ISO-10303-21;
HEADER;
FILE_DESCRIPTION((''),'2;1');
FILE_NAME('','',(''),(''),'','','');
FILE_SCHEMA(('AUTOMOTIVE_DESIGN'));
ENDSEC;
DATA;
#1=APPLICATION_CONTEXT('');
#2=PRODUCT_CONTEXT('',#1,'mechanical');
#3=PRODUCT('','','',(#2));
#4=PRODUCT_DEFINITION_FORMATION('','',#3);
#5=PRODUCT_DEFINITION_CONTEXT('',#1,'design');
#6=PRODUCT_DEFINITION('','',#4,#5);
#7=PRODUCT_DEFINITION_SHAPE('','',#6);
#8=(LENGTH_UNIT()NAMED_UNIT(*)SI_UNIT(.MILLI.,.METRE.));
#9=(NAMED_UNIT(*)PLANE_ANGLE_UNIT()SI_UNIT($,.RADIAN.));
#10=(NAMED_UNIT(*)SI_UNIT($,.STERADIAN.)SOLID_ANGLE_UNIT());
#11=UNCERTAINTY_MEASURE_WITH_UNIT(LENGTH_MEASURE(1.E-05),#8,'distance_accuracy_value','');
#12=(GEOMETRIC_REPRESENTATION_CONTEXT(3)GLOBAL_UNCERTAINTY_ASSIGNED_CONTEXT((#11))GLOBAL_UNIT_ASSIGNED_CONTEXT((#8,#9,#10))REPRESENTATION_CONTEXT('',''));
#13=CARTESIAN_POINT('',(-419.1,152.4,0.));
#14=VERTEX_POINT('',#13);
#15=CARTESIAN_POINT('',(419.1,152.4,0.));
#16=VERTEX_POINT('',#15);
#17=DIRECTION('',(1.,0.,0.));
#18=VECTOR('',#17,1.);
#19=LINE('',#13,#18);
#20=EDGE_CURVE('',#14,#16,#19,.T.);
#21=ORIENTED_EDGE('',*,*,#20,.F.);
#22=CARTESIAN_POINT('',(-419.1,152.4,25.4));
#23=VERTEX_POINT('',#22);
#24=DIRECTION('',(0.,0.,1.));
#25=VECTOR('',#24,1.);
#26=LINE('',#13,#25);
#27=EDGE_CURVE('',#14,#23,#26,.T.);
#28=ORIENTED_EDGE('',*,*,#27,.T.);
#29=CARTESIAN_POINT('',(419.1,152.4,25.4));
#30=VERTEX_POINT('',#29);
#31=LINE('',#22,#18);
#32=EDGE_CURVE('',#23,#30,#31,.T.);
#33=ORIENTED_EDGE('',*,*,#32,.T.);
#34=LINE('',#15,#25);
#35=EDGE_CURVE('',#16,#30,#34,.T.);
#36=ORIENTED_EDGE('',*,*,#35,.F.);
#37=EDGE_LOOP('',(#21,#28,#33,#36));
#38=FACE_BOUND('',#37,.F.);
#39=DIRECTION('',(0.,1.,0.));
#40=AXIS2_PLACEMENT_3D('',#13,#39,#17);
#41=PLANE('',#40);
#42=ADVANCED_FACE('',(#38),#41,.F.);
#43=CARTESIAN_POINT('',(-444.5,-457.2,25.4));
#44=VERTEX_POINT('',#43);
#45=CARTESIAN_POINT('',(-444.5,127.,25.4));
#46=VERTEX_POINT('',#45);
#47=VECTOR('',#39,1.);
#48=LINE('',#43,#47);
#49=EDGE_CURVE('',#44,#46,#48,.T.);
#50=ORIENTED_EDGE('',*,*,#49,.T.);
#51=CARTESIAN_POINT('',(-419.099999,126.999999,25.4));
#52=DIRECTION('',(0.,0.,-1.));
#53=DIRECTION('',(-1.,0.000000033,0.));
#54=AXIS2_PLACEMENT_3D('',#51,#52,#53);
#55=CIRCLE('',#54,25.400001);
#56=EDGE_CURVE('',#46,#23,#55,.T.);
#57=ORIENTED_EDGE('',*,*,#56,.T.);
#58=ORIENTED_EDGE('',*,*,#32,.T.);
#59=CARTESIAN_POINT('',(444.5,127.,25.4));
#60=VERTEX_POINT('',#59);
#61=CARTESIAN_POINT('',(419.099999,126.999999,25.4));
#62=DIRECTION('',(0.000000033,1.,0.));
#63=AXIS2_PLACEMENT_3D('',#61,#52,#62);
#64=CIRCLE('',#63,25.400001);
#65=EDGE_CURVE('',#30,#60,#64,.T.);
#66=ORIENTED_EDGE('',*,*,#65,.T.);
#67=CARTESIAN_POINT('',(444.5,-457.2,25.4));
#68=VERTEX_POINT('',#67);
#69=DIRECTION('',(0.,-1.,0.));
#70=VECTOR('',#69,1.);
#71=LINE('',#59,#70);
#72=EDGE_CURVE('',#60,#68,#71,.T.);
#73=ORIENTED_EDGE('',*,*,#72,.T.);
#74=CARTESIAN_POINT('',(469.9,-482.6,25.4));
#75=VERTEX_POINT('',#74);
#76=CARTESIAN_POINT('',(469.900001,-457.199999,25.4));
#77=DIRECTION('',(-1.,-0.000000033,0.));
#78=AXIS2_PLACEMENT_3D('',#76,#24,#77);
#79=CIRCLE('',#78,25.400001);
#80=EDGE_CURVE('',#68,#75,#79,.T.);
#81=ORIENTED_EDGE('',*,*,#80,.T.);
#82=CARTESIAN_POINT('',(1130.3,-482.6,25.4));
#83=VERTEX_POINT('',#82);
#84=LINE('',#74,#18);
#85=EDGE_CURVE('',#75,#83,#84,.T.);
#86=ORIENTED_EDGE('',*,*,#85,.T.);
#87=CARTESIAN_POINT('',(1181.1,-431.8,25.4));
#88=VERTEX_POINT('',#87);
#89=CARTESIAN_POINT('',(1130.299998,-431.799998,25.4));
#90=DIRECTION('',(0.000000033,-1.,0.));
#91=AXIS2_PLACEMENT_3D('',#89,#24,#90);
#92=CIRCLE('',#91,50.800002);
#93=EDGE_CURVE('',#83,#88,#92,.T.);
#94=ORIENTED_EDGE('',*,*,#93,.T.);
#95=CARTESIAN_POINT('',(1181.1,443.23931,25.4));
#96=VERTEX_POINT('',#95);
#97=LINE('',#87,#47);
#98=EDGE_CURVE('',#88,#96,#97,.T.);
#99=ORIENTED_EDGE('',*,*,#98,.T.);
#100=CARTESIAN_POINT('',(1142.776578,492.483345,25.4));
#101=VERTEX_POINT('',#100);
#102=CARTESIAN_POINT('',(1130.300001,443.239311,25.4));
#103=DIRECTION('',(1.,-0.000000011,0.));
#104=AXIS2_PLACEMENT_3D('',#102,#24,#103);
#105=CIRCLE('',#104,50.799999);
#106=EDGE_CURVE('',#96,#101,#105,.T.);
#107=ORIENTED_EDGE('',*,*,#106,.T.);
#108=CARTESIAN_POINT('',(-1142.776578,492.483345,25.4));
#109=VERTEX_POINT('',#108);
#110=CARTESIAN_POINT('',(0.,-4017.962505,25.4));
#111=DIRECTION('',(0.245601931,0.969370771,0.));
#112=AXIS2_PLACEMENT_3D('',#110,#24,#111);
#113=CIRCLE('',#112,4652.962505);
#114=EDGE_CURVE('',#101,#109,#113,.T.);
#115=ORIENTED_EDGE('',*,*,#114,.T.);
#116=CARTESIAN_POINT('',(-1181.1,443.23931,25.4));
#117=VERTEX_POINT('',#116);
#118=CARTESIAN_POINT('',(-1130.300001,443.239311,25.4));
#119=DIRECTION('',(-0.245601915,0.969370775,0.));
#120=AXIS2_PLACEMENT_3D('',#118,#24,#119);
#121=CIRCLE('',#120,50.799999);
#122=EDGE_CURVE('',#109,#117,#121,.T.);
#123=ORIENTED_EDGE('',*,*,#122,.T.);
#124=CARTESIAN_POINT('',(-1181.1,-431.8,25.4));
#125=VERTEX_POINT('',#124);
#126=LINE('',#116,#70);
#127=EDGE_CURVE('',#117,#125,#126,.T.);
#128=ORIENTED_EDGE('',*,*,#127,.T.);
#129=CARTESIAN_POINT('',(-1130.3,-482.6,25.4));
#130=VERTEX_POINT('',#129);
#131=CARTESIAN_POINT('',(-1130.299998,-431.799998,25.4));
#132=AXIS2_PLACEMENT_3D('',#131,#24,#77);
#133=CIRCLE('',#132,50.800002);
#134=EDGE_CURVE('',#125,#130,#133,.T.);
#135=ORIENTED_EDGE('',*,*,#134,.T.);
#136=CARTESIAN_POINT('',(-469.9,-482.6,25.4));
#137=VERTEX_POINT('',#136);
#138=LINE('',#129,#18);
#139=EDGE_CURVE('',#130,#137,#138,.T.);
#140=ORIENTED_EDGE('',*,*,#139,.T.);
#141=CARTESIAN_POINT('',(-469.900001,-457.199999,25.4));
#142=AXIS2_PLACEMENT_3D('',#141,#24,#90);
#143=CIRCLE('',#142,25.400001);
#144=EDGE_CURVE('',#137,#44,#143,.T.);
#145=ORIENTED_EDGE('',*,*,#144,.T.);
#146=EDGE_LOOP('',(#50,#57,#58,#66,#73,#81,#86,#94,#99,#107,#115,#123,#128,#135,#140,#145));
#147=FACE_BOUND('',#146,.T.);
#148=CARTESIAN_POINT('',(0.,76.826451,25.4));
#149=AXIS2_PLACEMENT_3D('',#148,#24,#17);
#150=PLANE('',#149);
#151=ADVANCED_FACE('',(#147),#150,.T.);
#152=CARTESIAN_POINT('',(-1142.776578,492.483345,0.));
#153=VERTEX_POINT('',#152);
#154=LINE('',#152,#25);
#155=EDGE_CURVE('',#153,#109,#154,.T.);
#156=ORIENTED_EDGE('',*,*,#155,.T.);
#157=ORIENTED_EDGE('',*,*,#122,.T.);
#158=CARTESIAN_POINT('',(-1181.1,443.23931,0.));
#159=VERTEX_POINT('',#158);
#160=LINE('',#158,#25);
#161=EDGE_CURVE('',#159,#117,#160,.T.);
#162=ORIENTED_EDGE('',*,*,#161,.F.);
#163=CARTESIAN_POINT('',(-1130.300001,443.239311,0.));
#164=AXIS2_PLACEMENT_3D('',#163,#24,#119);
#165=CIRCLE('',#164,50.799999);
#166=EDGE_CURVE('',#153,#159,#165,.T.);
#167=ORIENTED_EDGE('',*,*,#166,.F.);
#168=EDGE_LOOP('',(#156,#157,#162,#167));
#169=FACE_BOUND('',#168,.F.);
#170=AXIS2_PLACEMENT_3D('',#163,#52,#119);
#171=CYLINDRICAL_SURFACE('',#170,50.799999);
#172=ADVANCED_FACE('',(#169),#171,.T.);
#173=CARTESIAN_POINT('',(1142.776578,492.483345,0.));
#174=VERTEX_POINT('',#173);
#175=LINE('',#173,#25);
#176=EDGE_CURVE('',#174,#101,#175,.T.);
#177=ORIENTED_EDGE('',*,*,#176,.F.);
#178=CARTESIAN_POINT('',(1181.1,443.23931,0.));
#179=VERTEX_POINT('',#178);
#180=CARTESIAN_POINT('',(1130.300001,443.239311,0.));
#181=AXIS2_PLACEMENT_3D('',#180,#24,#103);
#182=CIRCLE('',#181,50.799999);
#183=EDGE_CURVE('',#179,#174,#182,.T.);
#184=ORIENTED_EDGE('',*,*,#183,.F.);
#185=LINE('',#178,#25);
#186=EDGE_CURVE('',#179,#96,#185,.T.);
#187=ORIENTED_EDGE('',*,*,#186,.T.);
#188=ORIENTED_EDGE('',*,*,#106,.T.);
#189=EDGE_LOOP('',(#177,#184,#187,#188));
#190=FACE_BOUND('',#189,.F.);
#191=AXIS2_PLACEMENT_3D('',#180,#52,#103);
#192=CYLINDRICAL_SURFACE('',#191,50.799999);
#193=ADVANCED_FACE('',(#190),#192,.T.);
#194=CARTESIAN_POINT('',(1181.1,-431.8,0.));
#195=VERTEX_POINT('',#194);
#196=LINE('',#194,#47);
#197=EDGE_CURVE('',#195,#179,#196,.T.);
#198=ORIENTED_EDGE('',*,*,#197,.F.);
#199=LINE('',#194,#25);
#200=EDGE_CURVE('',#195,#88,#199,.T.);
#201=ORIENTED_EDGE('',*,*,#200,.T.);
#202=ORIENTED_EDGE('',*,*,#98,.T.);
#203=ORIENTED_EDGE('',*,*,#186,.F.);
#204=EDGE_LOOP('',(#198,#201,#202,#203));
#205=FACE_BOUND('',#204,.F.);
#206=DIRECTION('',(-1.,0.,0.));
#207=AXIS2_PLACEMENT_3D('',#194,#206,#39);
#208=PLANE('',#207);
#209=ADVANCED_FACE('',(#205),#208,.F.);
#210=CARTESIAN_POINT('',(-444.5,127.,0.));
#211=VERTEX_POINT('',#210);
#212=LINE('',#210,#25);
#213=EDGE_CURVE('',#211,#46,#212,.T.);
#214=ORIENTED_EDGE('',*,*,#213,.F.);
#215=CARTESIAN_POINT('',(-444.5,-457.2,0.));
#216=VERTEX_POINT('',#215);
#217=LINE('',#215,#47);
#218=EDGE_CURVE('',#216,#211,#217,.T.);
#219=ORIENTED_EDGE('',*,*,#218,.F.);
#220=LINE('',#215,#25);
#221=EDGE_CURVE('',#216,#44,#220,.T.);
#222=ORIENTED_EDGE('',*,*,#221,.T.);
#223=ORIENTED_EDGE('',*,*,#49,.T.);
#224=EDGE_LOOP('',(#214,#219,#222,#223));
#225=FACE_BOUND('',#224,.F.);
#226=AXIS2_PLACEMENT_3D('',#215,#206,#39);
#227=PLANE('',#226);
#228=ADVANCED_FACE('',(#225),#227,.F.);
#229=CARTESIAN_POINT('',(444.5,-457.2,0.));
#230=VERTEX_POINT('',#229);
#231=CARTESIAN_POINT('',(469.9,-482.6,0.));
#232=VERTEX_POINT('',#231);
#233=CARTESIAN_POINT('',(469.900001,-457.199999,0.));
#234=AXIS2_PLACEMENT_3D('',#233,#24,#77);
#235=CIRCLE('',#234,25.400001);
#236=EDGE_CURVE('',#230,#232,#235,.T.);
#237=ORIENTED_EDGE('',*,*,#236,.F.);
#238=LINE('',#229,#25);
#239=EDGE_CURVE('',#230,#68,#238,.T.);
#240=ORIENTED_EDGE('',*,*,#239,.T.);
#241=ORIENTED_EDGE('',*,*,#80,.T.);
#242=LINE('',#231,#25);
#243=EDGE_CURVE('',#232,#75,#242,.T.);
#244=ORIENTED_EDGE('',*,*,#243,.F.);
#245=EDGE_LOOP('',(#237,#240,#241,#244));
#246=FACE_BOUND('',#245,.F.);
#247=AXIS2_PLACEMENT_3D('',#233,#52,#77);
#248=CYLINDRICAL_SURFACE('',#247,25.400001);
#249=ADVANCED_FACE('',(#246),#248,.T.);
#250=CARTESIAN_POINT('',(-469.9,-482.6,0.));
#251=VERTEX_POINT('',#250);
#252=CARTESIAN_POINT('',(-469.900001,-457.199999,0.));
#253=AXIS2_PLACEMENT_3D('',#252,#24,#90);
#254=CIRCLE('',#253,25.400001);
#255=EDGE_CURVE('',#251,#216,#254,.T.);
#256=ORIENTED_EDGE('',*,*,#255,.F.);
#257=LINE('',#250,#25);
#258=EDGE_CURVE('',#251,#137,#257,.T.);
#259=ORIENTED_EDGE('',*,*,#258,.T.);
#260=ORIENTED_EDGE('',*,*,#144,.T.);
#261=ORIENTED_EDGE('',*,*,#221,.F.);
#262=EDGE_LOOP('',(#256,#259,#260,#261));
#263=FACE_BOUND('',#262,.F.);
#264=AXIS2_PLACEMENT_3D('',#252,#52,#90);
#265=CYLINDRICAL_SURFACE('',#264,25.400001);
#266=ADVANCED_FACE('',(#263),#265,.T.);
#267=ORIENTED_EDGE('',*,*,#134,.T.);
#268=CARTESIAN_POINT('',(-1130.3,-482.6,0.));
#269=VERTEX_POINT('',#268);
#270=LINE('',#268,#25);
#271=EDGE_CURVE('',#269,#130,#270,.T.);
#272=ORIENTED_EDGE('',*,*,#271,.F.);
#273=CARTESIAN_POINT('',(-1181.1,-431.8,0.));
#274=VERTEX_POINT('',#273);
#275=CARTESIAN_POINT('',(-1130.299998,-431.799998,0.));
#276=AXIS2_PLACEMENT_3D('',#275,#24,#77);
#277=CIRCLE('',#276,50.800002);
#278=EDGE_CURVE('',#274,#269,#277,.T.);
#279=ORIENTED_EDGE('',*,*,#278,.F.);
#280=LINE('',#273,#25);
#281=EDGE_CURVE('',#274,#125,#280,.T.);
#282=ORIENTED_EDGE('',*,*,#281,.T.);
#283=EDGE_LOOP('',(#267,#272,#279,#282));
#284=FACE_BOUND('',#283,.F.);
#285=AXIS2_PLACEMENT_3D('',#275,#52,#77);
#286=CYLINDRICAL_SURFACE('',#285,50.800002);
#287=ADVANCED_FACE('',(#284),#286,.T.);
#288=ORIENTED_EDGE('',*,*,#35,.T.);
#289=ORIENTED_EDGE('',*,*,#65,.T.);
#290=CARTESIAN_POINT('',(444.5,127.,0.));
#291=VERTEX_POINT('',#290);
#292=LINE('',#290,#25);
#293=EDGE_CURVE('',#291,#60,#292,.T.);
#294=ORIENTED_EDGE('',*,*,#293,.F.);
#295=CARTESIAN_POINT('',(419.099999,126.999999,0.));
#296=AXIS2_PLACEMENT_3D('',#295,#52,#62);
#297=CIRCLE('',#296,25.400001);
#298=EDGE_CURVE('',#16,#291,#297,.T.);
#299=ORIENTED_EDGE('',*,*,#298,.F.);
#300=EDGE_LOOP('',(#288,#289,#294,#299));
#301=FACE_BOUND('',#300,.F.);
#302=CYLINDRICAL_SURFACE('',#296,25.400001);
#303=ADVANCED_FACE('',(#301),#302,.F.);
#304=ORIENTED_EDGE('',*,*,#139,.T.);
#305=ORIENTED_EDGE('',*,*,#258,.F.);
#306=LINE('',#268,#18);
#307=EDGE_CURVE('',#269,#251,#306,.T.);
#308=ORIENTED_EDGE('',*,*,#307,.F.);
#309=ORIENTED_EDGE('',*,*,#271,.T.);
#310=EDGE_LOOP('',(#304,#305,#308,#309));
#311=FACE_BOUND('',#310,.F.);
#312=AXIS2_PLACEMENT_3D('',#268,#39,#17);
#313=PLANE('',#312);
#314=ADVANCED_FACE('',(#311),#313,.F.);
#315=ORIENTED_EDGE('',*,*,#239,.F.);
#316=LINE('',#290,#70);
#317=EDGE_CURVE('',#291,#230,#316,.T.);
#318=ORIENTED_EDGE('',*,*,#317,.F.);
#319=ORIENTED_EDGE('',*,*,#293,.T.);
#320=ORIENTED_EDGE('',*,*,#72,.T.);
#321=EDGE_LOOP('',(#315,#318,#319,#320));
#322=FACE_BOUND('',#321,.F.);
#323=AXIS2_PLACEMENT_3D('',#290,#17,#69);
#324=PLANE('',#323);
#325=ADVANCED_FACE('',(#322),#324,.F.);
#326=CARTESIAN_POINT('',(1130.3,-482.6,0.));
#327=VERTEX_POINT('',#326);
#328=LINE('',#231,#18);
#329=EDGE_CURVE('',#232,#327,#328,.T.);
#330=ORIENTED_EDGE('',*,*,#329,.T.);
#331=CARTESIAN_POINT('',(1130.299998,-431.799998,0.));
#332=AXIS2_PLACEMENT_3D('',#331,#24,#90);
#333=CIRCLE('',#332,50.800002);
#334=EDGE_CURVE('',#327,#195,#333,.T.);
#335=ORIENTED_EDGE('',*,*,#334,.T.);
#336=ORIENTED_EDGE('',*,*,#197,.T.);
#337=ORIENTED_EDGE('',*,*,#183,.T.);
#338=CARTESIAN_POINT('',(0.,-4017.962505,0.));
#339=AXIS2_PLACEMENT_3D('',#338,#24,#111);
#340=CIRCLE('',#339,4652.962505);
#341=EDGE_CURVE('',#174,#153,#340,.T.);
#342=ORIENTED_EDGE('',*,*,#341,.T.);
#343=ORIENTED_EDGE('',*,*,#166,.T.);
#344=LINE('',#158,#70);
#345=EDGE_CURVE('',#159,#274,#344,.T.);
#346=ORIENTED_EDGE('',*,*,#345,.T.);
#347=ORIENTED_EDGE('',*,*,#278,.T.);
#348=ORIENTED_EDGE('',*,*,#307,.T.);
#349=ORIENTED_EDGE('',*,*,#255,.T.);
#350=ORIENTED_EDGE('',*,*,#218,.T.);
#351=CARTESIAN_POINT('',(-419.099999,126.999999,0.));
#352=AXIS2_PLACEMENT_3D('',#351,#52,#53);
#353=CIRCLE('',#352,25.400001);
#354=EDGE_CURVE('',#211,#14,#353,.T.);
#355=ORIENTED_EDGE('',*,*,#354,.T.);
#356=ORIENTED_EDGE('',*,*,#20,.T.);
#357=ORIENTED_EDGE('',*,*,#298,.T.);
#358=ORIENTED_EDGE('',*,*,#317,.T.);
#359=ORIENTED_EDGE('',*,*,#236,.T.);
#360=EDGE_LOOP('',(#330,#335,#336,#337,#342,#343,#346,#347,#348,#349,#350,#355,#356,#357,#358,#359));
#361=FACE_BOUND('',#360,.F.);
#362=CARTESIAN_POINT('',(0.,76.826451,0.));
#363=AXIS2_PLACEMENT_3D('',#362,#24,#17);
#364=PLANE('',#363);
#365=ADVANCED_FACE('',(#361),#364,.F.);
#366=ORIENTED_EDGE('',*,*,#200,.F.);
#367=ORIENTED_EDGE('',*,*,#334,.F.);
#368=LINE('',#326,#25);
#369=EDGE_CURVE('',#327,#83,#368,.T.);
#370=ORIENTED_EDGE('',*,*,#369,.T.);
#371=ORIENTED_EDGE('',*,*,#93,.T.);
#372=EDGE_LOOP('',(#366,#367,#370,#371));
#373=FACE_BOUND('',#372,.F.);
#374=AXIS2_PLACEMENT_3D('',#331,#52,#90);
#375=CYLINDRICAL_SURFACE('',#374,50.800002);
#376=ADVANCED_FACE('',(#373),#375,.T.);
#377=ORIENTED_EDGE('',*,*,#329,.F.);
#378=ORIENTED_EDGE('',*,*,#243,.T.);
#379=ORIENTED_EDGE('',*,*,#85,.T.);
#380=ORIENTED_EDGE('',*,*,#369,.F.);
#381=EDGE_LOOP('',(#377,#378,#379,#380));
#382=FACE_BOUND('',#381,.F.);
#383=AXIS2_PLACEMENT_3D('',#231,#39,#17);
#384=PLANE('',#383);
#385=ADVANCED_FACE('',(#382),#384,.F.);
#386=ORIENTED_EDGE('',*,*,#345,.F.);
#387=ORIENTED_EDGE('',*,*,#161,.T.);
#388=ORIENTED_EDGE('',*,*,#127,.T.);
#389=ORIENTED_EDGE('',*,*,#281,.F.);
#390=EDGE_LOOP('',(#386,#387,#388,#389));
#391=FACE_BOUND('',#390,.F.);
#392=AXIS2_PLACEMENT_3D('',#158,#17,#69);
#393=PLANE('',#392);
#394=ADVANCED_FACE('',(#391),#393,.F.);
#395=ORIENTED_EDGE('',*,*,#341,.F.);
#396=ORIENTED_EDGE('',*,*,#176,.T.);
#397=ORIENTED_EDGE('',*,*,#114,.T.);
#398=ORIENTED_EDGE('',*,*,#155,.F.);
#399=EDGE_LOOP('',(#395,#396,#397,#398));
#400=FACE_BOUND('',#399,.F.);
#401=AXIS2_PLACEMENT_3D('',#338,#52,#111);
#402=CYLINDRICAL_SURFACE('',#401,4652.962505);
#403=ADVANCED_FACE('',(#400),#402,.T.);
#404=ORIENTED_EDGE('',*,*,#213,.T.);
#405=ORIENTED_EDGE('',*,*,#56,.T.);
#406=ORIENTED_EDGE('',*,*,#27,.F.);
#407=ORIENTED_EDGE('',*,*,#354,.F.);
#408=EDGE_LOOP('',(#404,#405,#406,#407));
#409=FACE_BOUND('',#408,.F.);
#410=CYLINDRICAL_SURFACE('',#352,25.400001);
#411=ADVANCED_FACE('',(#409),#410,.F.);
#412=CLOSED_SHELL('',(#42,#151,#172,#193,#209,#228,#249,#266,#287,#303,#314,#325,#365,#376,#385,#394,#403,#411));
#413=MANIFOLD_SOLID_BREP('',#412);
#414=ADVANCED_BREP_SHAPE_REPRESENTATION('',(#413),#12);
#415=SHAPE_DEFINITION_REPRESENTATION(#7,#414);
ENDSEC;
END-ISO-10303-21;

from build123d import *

# Parameters (mm, degrees)
F1_DEPTH = 25.4


with BuildPart() as f1:
    # F0 (on Top) → F1 (new body)
    with BuildSketch(Plane.XY):
        with BuildLine():
            Line((469.9, -482.6), (1130.3, -482.6))
            ThreePointArc((1130.3, -482.6), (1166.221024, -467.721024), (1181.1, -431.8))
            Line((1181.1, -431.8), (1181.1, 443.23931))
            ThreePointArc((1181.1, 443.23931), (1170.390212, 474.438908), (1142.776578, 492.483345))
            ThreePointArc((1142.776578, 492.483345), (0, 635), (-1142.776578, 492.483345))
            ThreePointArc((-1142.776578, 492.483345), (-1170.390212, 474.438908), (-1181.1, 443.23931))
            Line((-1181.1, 443.23931), (-1181.1, -431.8))
            ThreePointArc((-1181.1, -431.8), (-1166.221024, -467.721024), (-1130.3, -482.6))
            Line((-1130.3, -482.6), (-469.9, -482.6))
            ThreePointArc((-469.9, -482.6), (-451.939488, -475.160512), (-444.5, -457.2))
            Line((-444.5, -457.2), (-444.5, 127))
            ThreePointArc((-444.5, 127), (-437.060512, 144.960512), (-419.1, 152.4))
            Line((-419.1, 152.4), (419.1, 152.4))
            ThreePointArc((419.1, 152.4), (437.060512, 144.960512), (444.5, 127))
            Line((444.5, 127), (444.5, -457.2))
            ThreePointArc((444.5, -457.2), (451.939488, -475.160512), (469.9, -482.6))
        make_face()
    extrude(amount=F1_DEPTH)


solid = f1.part
